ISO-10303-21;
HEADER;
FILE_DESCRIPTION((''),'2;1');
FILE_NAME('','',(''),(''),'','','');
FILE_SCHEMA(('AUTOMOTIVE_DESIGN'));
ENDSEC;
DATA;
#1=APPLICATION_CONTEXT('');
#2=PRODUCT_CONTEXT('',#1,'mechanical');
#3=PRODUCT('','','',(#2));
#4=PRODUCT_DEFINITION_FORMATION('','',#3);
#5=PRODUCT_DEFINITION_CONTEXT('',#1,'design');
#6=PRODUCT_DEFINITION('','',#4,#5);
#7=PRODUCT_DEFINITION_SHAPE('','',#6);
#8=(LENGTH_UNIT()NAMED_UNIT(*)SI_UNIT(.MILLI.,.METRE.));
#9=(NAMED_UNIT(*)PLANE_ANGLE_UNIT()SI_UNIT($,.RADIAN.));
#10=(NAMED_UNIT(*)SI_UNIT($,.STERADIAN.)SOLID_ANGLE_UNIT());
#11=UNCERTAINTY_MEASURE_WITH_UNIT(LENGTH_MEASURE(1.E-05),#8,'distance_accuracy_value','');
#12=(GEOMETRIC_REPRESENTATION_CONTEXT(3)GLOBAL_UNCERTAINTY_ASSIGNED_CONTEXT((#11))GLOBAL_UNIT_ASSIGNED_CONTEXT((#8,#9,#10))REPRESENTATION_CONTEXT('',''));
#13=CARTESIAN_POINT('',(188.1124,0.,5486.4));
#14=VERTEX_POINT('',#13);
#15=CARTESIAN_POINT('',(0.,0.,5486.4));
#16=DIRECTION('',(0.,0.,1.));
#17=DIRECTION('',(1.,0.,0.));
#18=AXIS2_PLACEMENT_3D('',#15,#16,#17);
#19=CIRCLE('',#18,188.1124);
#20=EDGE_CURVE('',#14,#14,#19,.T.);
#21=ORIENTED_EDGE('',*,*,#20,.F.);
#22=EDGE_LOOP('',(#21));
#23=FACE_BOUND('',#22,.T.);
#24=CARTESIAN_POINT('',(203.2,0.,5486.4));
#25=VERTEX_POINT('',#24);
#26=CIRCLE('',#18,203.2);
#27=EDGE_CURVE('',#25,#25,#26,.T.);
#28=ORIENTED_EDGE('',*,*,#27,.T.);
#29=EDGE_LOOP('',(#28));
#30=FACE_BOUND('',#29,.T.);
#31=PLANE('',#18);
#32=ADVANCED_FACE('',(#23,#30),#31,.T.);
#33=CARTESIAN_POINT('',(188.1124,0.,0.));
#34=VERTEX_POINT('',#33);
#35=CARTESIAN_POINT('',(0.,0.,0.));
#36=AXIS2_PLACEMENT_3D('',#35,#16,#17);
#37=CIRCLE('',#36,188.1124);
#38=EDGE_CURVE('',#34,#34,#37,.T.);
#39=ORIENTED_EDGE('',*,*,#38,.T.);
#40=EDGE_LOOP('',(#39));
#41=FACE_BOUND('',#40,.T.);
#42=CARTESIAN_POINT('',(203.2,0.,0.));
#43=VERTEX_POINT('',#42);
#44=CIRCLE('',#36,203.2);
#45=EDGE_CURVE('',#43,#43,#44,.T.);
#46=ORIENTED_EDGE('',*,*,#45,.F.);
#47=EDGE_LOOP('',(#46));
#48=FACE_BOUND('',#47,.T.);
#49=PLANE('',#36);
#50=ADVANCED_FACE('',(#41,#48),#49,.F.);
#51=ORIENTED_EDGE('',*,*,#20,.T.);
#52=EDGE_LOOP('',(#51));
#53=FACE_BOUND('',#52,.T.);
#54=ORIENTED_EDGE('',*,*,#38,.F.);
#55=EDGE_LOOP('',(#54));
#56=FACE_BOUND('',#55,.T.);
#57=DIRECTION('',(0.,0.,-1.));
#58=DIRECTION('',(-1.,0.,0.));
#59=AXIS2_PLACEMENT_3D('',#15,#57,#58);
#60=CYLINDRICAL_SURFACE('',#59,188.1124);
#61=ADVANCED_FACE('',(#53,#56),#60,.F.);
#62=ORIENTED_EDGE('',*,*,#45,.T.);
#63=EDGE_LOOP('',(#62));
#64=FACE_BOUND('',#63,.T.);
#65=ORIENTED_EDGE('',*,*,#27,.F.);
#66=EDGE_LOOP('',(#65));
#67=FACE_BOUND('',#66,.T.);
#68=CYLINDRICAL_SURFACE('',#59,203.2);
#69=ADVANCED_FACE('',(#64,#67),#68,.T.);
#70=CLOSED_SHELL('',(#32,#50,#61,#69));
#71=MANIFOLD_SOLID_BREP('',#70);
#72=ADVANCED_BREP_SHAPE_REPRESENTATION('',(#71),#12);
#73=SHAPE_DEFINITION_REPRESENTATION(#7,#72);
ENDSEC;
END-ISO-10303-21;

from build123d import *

# Parameters (mm, degrees)
PIPESKETCH_R    = 203.2
PIPESKETCH_R_2  = 188.1124
EXTRUSION_DEPTH = 5486.4


with BuildPart() as part:
    # PipeSketch → Extrusion (new body)
    with BuildSketch(Plane.XY):
        Circle(PIPESKETCH_R)
        Circle(PIPESKETCH_R_2, mode=Mode.SUBTRACT)
    extrude(amount=EXTRUSION_DEPTH)


solid = part.part
